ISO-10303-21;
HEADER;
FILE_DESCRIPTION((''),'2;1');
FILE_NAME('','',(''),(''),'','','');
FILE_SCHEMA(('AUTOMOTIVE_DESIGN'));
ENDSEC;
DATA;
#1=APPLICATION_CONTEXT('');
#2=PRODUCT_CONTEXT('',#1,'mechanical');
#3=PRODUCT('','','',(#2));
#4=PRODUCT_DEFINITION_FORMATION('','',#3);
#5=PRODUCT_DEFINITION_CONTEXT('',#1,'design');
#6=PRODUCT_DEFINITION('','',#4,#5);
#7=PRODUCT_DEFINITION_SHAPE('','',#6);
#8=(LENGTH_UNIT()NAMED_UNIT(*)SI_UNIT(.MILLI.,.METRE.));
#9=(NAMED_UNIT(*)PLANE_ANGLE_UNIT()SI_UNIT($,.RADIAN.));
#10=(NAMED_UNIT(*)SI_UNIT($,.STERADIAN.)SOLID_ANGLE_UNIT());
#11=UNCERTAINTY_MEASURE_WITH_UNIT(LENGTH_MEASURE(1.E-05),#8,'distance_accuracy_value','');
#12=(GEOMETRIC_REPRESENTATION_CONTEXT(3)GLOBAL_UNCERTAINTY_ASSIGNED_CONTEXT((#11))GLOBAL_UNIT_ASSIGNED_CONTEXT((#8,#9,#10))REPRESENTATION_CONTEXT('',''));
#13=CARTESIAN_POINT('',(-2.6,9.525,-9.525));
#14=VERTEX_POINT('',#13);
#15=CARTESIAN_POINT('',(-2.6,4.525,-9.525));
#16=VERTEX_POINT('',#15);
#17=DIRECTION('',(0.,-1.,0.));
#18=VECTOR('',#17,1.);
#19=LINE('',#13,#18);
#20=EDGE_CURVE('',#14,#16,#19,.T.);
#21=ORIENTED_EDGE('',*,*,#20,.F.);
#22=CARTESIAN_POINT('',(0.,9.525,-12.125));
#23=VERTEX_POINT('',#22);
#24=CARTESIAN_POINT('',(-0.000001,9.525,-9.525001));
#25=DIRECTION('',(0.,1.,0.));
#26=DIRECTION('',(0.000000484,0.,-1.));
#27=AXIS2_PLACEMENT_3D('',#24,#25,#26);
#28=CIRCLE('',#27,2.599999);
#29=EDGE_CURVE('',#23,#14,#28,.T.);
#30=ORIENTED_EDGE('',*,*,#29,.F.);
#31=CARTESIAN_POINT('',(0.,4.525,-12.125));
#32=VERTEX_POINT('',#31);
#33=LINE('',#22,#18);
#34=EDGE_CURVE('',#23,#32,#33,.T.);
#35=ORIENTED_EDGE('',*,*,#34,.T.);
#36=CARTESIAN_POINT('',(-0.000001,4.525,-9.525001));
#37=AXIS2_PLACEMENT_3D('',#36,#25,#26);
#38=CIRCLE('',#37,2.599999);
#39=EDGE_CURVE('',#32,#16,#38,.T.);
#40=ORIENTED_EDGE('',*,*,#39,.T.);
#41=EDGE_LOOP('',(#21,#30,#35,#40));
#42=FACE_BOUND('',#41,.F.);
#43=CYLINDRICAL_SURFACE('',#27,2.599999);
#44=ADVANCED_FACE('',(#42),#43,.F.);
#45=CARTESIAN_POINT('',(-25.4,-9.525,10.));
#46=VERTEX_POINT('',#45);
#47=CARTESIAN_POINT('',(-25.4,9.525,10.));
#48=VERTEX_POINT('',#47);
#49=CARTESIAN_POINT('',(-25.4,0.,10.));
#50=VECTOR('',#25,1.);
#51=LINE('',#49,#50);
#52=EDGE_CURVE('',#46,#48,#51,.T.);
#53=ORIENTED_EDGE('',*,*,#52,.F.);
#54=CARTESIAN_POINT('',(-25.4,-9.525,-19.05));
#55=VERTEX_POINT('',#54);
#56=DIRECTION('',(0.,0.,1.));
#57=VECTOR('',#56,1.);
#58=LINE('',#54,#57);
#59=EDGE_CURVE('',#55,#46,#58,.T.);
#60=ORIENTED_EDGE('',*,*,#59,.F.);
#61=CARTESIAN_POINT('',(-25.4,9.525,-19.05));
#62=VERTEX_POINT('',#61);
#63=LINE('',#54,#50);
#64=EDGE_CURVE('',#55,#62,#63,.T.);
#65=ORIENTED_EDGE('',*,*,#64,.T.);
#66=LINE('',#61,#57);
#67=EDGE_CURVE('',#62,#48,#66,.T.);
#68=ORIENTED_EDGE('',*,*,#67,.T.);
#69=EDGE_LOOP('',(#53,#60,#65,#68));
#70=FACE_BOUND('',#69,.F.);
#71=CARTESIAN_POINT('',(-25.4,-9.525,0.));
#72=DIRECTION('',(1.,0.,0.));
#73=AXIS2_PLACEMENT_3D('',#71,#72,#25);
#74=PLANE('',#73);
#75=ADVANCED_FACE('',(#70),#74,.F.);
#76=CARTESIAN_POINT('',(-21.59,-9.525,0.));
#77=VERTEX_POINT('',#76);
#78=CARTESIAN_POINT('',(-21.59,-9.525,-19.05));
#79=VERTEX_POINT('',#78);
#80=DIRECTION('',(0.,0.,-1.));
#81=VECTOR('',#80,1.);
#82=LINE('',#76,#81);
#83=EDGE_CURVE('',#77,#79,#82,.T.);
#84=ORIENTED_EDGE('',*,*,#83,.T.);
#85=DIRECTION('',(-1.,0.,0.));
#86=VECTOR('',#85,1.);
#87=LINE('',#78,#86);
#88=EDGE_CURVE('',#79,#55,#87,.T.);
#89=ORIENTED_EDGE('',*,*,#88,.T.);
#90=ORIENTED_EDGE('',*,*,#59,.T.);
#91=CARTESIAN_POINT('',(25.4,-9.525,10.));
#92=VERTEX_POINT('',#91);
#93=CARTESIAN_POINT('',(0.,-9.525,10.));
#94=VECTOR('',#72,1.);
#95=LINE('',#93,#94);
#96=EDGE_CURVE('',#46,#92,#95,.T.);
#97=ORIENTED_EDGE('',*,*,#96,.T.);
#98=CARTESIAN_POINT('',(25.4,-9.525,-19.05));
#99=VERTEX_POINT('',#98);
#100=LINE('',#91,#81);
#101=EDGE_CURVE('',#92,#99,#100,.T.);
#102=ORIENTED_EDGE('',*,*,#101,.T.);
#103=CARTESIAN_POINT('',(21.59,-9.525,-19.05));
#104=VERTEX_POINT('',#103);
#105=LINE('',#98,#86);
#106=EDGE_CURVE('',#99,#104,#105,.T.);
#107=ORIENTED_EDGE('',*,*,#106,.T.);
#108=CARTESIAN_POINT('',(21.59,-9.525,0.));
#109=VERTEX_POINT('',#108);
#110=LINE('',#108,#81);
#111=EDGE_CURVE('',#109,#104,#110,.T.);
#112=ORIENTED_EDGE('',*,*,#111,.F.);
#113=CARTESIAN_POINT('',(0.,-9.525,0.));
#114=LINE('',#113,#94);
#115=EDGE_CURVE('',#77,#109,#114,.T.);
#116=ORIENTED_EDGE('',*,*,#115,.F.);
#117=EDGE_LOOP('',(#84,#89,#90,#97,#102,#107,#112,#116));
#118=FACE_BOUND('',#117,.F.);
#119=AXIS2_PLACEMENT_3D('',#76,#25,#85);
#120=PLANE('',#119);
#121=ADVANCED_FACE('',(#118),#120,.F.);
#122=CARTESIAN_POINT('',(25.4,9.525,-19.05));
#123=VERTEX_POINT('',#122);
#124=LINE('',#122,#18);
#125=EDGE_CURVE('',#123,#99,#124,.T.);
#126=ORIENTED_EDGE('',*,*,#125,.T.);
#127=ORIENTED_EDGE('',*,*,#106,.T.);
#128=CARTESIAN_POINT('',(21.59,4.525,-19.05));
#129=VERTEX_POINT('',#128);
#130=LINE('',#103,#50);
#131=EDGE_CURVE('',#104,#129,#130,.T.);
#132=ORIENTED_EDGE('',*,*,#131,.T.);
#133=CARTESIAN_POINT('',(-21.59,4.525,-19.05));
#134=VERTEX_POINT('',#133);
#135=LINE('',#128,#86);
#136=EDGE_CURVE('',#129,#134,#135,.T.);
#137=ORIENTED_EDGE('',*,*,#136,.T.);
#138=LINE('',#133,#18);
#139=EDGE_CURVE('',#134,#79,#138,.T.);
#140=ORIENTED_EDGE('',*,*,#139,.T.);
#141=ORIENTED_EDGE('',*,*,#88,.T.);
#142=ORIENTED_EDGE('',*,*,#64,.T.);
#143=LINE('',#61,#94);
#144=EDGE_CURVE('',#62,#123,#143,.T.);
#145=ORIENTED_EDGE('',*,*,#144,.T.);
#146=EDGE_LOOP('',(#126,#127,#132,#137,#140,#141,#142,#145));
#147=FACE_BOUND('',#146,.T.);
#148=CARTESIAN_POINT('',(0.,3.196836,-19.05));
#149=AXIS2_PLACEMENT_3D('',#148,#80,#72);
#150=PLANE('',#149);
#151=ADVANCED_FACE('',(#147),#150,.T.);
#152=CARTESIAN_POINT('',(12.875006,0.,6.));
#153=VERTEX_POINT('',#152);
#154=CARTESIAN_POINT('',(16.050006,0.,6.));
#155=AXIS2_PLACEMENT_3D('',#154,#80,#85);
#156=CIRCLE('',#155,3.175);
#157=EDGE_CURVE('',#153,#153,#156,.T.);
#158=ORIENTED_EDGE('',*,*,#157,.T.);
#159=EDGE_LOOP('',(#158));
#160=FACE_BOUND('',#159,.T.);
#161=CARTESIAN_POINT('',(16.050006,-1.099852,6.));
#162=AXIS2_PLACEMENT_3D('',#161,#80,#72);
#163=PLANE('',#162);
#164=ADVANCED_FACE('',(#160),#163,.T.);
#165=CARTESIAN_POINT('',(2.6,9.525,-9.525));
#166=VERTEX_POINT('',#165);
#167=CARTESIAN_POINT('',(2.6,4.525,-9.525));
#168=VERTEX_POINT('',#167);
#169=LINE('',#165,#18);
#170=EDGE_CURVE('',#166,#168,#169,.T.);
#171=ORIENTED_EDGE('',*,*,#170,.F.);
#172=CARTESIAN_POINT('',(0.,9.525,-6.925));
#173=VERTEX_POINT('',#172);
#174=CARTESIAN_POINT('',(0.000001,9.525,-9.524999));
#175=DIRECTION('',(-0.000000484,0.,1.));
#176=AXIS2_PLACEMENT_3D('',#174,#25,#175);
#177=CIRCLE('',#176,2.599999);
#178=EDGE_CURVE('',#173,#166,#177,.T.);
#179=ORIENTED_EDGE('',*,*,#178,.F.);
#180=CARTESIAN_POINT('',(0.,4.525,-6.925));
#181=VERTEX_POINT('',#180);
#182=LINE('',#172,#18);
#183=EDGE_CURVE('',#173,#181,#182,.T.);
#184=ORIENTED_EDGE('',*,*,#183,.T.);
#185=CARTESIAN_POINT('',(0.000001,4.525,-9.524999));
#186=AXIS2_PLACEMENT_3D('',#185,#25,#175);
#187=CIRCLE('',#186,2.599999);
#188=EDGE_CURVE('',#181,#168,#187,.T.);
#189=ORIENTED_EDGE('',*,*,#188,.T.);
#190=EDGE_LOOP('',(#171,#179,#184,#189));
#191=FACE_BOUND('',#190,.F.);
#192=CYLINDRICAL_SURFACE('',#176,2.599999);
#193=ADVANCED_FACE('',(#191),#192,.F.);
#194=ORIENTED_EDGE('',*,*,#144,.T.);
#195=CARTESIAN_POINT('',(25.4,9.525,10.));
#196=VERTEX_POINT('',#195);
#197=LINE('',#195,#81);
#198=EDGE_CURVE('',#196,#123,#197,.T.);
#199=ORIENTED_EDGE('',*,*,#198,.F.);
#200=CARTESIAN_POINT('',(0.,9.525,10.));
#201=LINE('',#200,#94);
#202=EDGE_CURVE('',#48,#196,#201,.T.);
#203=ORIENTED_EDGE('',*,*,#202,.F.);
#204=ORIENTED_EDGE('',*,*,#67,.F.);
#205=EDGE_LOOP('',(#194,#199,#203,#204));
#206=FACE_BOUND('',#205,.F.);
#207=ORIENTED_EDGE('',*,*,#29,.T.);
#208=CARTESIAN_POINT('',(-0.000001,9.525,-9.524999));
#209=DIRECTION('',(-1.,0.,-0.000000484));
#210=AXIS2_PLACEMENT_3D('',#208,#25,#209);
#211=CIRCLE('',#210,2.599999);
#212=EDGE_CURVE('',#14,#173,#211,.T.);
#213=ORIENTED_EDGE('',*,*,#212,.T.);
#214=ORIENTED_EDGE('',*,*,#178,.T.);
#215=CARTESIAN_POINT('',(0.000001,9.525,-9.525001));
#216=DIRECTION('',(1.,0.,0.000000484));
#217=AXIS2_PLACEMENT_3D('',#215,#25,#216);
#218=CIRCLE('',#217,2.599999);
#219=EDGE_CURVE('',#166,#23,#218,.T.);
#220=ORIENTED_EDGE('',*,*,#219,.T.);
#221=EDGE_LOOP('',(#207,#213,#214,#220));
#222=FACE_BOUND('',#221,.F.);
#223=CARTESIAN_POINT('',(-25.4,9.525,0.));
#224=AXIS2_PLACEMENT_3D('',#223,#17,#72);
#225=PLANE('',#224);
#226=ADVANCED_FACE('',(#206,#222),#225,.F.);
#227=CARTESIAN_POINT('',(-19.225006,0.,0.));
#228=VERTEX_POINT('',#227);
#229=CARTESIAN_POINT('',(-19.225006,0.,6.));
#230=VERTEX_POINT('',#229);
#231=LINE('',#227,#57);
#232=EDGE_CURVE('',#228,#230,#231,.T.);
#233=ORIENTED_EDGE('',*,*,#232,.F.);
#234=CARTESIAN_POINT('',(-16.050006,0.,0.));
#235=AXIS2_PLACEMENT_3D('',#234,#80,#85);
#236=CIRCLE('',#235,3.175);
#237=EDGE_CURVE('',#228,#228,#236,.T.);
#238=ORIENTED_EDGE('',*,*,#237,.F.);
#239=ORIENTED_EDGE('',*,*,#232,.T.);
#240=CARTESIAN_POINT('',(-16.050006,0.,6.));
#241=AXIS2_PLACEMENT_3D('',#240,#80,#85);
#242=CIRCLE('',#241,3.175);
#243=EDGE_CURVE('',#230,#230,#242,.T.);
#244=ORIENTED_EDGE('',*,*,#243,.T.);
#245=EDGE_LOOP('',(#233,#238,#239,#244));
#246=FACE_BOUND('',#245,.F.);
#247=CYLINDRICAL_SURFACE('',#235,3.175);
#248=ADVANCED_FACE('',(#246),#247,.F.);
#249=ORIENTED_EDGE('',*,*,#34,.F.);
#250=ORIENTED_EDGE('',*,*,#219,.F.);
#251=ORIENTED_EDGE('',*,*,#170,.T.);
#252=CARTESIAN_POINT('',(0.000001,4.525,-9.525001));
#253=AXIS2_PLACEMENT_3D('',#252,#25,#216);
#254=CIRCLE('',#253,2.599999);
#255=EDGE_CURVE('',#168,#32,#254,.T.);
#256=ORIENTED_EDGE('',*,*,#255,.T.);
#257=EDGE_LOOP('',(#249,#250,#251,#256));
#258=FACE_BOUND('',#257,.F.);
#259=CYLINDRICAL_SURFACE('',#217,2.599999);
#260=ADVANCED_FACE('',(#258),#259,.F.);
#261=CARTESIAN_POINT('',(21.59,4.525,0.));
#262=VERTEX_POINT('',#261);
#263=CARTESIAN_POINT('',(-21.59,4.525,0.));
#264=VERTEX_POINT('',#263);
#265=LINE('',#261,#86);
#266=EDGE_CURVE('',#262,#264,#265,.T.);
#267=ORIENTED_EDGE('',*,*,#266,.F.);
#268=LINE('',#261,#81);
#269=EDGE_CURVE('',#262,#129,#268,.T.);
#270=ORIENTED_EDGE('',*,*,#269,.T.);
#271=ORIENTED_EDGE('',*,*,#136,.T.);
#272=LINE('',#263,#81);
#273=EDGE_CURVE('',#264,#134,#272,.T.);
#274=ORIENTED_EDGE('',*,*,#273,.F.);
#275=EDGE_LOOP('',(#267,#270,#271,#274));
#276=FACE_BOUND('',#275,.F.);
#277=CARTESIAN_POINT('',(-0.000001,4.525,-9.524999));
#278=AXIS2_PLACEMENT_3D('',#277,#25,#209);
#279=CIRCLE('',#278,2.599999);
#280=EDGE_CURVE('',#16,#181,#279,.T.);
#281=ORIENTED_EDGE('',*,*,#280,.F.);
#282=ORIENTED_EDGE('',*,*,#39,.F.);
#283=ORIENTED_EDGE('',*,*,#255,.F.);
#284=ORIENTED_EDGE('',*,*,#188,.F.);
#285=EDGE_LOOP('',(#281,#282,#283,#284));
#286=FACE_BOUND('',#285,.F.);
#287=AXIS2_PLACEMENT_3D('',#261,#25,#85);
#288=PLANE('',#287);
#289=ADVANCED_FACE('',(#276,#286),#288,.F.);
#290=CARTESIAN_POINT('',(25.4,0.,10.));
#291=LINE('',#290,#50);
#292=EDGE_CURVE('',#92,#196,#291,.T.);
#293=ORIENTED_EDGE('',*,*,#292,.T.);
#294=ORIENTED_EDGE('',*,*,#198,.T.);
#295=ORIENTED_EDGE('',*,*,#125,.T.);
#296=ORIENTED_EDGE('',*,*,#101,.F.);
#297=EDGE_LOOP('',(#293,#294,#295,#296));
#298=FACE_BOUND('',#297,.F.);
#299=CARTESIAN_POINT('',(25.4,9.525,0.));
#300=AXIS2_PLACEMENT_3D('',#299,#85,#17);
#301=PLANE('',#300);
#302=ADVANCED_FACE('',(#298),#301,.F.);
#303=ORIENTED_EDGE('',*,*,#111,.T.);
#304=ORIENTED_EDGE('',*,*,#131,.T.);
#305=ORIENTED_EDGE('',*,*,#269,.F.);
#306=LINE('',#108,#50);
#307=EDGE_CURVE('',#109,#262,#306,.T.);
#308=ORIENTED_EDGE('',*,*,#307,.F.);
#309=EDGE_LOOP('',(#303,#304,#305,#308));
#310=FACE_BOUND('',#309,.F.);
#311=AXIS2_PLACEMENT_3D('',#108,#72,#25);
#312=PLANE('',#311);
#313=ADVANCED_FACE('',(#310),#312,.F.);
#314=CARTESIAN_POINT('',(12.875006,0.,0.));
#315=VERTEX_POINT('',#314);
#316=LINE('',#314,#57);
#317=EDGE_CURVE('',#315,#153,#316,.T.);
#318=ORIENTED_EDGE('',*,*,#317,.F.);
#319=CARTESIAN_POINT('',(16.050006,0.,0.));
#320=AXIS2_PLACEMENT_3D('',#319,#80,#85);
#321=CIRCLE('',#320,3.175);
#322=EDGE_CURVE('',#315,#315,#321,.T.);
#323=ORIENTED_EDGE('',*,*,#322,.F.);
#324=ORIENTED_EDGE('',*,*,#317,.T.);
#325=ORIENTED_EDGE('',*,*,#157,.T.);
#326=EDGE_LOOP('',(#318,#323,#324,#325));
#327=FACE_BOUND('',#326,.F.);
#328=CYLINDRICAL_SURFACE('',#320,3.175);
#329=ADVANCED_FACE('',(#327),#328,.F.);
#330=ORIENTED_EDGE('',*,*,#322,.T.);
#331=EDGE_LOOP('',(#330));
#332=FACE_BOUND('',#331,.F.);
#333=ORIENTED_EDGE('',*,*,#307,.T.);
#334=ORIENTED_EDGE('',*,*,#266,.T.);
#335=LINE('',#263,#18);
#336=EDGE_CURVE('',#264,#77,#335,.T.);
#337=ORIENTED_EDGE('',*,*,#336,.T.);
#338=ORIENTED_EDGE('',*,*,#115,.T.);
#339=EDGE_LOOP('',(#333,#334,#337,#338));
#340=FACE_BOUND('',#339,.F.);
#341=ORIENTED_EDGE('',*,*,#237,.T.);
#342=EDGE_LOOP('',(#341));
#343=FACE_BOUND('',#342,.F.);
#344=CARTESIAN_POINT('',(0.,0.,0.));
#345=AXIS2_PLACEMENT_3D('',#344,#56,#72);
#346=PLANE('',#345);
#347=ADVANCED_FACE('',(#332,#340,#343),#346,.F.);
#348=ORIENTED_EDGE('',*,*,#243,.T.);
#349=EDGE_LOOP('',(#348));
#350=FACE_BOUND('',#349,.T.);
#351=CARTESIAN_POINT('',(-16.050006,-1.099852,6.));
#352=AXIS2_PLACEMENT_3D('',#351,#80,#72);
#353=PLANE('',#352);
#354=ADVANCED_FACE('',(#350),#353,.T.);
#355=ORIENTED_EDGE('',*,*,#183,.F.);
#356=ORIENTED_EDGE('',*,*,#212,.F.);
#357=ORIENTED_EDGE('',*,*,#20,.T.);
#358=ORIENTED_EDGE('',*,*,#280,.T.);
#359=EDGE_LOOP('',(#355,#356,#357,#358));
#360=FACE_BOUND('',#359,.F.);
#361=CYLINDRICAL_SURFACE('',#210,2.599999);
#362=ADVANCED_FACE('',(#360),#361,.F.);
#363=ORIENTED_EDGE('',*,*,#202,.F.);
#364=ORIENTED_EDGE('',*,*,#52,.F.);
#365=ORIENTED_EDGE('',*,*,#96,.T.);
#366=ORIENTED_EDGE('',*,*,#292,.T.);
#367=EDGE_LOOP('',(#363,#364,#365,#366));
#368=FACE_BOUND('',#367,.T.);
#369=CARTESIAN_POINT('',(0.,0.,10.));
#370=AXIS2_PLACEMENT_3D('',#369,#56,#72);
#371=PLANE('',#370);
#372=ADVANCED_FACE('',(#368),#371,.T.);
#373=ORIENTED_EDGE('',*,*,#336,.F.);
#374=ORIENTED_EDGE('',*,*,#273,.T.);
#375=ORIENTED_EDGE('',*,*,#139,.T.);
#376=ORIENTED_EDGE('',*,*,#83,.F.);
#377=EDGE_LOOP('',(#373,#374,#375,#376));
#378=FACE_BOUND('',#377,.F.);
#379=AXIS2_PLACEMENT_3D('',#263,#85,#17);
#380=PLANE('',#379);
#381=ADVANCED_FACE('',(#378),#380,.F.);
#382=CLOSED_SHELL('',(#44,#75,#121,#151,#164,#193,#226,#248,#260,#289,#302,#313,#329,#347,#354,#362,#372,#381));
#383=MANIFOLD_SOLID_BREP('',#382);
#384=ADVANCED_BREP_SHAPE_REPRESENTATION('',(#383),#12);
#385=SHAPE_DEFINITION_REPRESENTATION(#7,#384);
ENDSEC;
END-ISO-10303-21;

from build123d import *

# Parameters (mm, degrees)
F0_W     = 50.8
F0_H     = 19.05
F1_DEPTH = 10
F3_DEPTH = 6
F5_DEPTH = 19.05
F7_DEPTH = 5


with BuildPart() as f1:
    # F0 (on Top) → F1 (new body)
    with BuildSketch(Plane.XY):
        Rectangle(F0_W, F0_H)
    extrude(amount=F1_DEPTH)

    # F2 (on face) → F3 (cut)
    with BuildSketch(Plane(origin=(0, 0, 0), x_dir=(1, 0, 0), z_dir=(0, 0, -1))):
        with BuildLine():
            ThreePointArc((-12.875006, 0), (-16.050006, 3.175), (-19.225006, 0))
            Line((-19.225006, 0), (-12.875006, 0))
        make_face()
        with BuildLine():
            ThreePointArc((19.225006, 0), (16.050006, 3.175), (12.875006, 0))
            Line((12.875006, 0), (19.225006, 0))
        make_face()
        with BuildLine():
            Line((19.225006, 0), (12.875006, 0))
            ThreePointArc((12.875006, 0), (16.050006, -3.175), (19.225006, 0))
        make_face()
        with BuildLine():
            Line((-12.875006, 0), (-19.225006, 0))
            ThreePointArc((-19.225006, 0), (-16.050006, -3.175), (-12.875006, 0))
        make_face()
    extrude(amount=-F3_DEPTH, mode=Mode.SUBTRACT)

    # F4 (on face) → F5 (join)
    with BuildSketch(Plane(origin=(0, 0, 0), x_dir=(1, 0, 0), z_dir=(0, 0, -1))):
        Polygon((-25.4, -4.525), (-25.4, -9.525), (-2.5, -9.525), (2.5, -9.525), (25.4, -9.525), (25.4, -4.525), (25.4, 9.525), (21.59, 9.525), (21.59, -4.525), (-2.5, -4.525), (-21.59, -4.525), (-21.59, 9.525), (-25.4, 9.525), align=None)
    extrude(amount=F5_DEPTH)

    # F6 (on face) → F7 (cut, through all)
    with BuildSketch(Plane(origin=(0, 9.525, 0), x_dir=(-1, 0, 0), z_dir=(0, 1, 0))):
        with BuildLine():
            Line((0, -9.525), (2.6, -9.525))
            ThreePointArc((2.6, -9.525), (1.838478, -7.686522), (0, -6.925))
            Line((0, -6.925), (0, -9.525))
        make_face()
        with BuildLine():
            ThreePointArc((0, -12.125), (1.838478, -11.363478), (2.6, -9.525))
            Line((2.6, -9.525), (0, -9.525))
            Line((0, -9.525), (0, -12.125))
        make_face()
        with BuildLine():
            Line((0, -9.525), (0, -6.925))
            ThreePointArc((0, -6.925), (-1.838478, -7.686522), (-2.6, -9.525))
            Line((-2.6, -9.525), (0, -9.525))
        make_face()
        with BuildLine():
            ThreePointArc((-2.6, -9.525), (-1.838478, -11.363478), (0, -12.125))
            Line((0, -12.125), (0, -9.525))
            Line((0, -9.525), (-2.6, -9.525))
        make_face()
    extrude(amount=-F7_DEPTH, mode=Mode.SUBTRACT)


solid = f1.part
